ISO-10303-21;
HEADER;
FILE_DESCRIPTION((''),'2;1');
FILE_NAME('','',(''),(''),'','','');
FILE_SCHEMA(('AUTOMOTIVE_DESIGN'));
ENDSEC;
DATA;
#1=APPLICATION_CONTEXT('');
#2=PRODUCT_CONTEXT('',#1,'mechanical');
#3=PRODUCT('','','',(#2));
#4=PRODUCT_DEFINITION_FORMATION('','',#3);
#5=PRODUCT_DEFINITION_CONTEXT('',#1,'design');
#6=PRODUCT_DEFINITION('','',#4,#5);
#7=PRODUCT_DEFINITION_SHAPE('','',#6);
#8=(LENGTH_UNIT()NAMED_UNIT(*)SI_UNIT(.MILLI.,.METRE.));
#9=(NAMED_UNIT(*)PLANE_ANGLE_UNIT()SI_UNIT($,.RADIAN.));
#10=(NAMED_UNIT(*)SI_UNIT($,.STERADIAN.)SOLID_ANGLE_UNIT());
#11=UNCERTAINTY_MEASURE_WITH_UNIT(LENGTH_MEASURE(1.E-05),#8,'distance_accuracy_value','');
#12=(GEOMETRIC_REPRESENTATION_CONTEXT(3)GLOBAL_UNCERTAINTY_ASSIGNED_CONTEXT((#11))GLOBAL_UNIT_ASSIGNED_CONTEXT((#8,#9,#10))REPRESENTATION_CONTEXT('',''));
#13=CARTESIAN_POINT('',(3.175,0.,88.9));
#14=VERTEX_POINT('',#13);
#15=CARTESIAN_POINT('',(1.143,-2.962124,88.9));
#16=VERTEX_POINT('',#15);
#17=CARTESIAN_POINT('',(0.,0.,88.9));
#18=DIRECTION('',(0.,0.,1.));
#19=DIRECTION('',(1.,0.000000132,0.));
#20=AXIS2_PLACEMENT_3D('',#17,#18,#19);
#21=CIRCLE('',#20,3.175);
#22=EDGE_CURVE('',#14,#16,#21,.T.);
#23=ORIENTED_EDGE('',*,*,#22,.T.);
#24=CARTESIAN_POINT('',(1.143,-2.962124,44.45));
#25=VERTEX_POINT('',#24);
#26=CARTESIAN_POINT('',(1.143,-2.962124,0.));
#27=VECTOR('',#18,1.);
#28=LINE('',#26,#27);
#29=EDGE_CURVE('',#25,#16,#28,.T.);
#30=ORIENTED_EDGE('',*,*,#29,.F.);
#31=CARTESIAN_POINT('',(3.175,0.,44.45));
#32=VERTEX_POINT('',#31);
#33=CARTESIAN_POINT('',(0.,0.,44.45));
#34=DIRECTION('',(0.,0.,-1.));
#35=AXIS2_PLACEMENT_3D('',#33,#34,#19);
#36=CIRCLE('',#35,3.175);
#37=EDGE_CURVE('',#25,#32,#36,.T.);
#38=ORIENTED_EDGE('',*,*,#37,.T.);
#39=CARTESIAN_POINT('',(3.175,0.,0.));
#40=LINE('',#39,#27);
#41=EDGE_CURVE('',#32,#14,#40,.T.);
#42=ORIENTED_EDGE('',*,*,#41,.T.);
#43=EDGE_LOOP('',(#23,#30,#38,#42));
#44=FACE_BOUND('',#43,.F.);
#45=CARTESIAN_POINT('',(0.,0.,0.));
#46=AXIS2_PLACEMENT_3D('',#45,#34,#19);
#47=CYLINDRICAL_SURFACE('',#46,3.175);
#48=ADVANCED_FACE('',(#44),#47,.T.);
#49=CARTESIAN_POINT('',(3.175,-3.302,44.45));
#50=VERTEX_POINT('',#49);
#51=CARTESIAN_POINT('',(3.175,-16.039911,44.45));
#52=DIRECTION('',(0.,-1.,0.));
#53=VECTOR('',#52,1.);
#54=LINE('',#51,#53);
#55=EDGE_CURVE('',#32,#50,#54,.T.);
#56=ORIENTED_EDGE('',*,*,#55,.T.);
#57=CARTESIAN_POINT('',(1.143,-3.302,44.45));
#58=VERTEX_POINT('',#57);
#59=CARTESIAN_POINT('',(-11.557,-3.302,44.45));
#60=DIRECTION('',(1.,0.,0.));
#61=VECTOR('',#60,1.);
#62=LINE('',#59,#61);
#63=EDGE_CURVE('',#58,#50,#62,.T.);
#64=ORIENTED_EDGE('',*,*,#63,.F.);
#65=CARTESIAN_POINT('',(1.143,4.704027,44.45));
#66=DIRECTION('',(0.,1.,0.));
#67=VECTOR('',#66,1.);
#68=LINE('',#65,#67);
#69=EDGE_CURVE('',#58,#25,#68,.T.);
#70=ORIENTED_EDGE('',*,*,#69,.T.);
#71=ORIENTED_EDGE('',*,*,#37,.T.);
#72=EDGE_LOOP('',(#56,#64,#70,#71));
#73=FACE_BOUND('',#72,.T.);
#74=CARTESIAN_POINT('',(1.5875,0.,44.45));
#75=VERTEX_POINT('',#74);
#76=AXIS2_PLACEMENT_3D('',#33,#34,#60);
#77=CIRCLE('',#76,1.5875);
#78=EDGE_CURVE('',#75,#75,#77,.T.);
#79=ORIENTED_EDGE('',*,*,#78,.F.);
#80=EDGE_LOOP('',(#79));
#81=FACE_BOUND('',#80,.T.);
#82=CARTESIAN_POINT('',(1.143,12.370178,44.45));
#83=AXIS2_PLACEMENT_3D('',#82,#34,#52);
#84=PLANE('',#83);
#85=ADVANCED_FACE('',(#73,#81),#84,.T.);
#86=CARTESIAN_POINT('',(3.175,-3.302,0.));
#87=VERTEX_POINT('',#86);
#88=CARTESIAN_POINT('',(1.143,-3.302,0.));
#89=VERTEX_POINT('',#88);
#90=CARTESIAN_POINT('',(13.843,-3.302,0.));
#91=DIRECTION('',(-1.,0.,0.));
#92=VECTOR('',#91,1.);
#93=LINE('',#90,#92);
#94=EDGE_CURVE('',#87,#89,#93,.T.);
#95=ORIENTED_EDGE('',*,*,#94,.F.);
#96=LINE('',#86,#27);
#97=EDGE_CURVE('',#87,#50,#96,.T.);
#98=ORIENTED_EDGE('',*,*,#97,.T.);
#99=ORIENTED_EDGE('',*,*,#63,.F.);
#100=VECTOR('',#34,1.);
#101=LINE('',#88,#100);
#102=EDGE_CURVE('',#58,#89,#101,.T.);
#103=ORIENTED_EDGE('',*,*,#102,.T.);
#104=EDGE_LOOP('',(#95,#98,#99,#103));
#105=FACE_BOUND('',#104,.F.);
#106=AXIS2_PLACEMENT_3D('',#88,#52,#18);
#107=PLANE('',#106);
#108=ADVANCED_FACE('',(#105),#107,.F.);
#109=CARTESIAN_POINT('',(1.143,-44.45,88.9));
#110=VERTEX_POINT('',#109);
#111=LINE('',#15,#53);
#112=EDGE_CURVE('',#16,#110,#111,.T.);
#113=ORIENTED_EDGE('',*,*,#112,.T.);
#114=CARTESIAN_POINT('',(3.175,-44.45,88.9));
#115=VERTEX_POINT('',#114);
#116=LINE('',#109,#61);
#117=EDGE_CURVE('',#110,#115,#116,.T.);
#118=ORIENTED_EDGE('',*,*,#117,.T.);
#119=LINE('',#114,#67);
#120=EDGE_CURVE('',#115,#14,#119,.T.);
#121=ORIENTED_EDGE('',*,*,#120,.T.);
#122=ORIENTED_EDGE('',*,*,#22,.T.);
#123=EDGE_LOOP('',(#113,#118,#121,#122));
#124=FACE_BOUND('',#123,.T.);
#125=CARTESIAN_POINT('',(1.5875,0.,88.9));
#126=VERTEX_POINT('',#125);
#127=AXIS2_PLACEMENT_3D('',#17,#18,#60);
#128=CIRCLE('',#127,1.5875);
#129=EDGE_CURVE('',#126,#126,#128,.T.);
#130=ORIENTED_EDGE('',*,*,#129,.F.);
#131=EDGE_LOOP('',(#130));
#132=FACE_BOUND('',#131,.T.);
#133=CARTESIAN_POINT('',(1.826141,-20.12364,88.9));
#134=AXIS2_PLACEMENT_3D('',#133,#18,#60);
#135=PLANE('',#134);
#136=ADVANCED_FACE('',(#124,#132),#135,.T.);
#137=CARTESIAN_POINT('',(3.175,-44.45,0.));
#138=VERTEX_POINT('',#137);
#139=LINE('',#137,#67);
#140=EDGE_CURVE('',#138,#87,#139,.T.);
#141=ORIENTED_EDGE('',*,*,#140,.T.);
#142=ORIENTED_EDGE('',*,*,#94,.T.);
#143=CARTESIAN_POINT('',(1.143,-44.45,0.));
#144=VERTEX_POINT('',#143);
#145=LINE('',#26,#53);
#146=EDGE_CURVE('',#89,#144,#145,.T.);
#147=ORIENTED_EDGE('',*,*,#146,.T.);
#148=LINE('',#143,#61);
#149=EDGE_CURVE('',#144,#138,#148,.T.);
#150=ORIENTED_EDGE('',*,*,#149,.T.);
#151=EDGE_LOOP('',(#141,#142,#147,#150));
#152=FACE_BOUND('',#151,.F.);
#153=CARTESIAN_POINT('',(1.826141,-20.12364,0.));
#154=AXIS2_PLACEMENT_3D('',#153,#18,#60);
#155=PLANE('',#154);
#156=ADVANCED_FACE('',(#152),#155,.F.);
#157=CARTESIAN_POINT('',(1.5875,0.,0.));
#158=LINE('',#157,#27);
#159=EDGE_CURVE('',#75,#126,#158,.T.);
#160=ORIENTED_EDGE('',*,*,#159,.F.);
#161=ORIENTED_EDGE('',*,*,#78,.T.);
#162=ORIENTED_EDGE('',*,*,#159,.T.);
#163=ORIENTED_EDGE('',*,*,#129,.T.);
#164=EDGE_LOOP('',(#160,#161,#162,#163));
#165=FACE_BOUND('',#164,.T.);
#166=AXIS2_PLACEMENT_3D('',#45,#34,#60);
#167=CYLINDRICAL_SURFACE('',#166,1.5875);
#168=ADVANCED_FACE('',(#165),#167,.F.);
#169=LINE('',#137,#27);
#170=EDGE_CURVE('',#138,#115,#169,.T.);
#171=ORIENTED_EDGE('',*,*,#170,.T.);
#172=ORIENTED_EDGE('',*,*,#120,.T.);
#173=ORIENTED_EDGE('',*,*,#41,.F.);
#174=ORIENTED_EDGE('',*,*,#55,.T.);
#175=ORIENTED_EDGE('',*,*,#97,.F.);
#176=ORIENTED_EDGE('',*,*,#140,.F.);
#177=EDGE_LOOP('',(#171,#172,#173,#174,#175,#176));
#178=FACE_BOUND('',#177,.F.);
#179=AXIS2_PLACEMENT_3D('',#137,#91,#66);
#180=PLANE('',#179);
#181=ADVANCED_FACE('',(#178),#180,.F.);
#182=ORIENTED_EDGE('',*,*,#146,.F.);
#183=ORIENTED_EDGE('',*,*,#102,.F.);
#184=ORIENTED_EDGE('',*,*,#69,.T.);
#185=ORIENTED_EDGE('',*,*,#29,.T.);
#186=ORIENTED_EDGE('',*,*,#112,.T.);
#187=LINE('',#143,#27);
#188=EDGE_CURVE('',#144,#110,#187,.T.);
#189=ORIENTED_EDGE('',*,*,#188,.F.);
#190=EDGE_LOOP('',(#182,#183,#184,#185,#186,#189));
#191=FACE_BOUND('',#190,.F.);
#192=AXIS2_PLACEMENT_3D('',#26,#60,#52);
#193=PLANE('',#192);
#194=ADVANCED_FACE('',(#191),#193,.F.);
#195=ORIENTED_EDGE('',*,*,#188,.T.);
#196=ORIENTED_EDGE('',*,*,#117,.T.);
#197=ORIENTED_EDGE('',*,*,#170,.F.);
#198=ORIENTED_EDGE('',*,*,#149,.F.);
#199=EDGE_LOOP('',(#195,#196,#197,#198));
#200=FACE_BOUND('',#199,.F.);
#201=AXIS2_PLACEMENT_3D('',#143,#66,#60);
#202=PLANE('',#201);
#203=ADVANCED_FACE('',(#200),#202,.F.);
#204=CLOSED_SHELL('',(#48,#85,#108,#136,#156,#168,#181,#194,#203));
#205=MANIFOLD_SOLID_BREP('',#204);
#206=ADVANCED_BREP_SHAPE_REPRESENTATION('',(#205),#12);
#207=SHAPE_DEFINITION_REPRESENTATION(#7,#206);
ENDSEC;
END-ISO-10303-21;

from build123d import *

# Parameters (mm, degrees)
F0_R     = 1.5875
F1_DEPTH = 88.9
F2_W     = 15.672178
F2_H     = 44.45
F3_DEPTH = 12.7


with BuildPart() as f1:
    # F0 (on Top) → F1 (new body)
    with BuildSketch(Plane.XY):
        with BuildLine():
            Line((3.175, -44.45), (3.175, 0))
            ThreePointArc((3.175, 0), (-2.618172, 1.796051), (1.143, -2.962124))
            Line((1.143, -2.962124), (1.143, -44.45))
            Line((1.143, -44.45), (3.175, -44.45))
        make_face()
        Circle(F0_R, mode=Mode.SUBTRACT)
    extrude(amount=F1_DEPTH)

    # F2 (on face) → F3 (cut, symmetric)
    with BuildSketch(Plane(origin=(1.143, 0, 0), x_dir=(0, -1, 0), z_dir=(-1, 0, 0))):
        with Locations((-4.534089, 22.225)):
            Rectangle(F2_W, F2_H)
    extrude(amount=F3_DEPTH, both=True, mode=Mode.SUBTRACT)


solid = f1.part
